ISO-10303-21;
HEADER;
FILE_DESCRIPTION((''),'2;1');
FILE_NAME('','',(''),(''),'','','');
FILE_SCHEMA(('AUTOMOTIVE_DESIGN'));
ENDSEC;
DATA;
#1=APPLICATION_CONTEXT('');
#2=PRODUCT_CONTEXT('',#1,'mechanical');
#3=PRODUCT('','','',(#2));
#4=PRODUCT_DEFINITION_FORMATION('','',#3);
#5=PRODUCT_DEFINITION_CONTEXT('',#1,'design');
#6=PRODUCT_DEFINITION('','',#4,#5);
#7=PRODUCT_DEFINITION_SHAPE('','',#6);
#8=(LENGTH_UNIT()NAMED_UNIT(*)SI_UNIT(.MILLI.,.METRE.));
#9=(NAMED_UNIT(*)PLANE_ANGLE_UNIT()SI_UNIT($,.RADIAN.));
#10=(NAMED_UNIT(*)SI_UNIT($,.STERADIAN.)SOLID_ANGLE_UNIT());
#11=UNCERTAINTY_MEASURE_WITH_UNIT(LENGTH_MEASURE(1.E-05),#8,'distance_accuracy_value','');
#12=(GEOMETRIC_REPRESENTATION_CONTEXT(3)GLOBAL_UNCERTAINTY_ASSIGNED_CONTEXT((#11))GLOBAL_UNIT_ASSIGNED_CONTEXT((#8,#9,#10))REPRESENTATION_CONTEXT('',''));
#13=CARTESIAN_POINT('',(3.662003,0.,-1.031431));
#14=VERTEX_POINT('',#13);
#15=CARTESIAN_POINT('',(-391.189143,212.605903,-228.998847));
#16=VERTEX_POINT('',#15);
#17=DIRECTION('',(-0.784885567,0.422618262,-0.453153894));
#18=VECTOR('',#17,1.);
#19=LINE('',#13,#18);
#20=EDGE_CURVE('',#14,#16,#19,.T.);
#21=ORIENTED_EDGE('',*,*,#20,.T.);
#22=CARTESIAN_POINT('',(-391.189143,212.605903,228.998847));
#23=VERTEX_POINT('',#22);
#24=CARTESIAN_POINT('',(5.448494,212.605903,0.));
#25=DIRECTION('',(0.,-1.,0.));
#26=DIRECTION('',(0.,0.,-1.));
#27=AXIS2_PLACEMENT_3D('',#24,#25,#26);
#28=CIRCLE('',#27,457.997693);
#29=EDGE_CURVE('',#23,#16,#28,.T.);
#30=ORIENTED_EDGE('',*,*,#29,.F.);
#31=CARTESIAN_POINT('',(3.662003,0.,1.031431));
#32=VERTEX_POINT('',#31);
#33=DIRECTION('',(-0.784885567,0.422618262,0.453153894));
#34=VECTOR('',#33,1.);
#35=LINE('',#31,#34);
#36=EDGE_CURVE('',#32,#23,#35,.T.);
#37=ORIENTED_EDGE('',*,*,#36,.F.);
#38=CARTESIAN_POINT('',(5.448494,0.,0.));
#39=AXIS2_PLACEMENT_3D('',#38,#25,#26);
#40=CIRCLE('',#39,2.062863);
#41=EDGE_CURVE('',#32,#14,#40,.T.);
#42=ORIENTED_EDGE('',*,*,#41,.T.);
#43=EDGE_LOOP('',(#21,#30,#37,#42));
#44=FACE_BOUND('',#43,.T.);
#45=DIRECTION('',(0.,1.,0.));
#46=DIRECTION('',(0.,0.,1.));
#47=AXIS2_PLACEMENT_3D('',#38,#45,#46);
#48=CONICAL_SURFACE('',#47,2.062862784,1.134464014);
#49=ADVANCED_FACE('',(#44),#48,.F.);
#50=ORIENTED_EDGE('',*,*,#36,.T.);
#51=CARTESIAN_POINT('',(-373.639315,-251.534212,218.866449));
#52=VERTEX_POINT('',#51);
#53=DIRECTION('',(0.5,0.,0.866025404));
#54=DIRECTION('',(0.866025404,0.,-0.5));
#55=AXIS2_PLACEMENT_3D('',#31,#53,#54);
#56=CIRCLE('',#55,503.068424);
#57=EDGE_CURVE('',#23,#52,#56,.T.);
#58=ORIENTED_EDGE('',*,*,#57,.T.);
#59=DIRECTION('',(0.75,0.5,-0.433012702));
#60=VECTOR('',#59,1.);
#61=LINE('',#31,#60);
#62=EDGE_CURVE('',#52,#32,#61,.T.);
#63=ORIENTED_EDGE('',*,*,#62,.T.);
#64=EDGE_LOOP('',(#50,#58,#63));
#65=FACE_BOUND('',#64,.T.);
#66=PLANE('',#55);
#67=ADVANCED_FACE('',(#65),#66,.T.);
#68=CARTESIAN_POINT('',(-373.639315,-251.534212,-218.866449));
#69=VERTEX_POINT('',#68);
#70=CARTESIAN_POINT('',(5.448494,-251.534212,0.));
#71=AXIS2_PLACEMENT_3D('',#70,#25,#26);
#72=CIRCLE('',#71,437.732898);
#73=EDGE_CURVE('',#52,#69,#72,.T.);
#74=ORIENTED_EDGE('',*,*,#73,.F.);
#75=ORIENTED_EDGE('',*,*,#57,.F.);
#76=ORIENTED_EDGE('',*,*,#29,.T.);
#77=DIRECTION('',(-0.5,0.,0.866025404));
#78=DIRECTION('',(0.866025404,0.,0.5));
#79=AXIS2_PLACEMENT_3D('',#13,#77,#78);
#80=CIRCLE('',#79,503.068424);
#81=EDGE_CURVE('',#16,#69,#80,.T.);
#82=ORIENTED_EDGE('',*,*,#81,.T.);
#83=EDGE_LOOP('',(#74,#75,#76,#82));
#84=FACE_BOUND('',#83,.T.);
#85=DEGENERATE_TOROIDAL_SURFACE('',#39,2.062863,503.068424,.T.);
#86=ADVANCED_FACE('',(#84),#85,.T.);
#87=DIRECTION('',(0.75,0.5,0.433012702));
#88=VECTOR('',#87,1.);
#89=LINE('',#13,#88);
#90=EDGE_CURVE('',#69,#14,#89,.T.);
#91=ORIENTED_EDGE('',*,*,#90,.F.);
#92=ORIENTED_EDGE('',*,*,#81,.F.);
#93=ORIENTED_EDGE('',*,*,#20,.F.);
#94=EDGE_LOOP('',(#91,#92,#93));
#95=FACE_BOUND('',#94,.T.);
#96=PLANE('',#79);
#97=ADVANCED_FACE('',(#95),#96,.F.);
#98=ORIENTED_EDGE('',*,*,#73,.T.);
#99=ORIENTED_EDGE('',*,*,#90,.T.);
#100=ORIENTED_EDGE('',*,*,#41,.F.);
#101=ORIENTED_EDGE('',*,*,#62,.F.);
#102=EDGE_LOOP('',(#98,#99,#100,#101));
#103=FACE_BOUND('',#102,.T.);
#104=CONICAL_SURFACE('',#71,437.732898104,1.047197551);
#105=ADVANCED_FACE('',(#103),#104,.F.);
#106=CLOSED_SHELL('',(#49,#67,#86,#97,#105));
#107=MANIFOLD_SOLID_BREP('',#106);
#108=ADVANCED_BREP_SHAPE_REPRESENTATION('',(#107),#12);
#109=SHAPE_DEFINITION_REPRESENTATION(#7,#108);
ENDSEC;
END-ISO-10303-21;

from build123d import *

# Parameters (mm, degrees)
R_VOLUTION5_ANGLE = 60


with BuildPart() as part:
    # Esquisse1 → Révolution5 (revolve, symmetric)
    with BuildSketch(Plane.XY) as r_volution5_sk:
        with BuildLine():
            Line((3.385631662, 0), (-452.549198729, 212.605903031))
            ThreePointArc((-452.549198729, 212.605903031), (-499.203983008, -21.943536473), (-432.284403658, -251.53421217))
            Line((-432.284403658, -251.53421217), (3.385631662, 0))
        make_face()
    revolve(axis=Axis((5.448494446, -756.054679356, 0), (0, 1, 0)), revolution_arc=R_VOLUTION5_ANGLE / 2)
    revolve(r_volution5_sk.sketch, axis=Axis((5.448494446, -756.054679356, 0), (0, -1, 0)), revolution_arc=R_VOLUTION5_ANGLE / 2)


solid = part.part
